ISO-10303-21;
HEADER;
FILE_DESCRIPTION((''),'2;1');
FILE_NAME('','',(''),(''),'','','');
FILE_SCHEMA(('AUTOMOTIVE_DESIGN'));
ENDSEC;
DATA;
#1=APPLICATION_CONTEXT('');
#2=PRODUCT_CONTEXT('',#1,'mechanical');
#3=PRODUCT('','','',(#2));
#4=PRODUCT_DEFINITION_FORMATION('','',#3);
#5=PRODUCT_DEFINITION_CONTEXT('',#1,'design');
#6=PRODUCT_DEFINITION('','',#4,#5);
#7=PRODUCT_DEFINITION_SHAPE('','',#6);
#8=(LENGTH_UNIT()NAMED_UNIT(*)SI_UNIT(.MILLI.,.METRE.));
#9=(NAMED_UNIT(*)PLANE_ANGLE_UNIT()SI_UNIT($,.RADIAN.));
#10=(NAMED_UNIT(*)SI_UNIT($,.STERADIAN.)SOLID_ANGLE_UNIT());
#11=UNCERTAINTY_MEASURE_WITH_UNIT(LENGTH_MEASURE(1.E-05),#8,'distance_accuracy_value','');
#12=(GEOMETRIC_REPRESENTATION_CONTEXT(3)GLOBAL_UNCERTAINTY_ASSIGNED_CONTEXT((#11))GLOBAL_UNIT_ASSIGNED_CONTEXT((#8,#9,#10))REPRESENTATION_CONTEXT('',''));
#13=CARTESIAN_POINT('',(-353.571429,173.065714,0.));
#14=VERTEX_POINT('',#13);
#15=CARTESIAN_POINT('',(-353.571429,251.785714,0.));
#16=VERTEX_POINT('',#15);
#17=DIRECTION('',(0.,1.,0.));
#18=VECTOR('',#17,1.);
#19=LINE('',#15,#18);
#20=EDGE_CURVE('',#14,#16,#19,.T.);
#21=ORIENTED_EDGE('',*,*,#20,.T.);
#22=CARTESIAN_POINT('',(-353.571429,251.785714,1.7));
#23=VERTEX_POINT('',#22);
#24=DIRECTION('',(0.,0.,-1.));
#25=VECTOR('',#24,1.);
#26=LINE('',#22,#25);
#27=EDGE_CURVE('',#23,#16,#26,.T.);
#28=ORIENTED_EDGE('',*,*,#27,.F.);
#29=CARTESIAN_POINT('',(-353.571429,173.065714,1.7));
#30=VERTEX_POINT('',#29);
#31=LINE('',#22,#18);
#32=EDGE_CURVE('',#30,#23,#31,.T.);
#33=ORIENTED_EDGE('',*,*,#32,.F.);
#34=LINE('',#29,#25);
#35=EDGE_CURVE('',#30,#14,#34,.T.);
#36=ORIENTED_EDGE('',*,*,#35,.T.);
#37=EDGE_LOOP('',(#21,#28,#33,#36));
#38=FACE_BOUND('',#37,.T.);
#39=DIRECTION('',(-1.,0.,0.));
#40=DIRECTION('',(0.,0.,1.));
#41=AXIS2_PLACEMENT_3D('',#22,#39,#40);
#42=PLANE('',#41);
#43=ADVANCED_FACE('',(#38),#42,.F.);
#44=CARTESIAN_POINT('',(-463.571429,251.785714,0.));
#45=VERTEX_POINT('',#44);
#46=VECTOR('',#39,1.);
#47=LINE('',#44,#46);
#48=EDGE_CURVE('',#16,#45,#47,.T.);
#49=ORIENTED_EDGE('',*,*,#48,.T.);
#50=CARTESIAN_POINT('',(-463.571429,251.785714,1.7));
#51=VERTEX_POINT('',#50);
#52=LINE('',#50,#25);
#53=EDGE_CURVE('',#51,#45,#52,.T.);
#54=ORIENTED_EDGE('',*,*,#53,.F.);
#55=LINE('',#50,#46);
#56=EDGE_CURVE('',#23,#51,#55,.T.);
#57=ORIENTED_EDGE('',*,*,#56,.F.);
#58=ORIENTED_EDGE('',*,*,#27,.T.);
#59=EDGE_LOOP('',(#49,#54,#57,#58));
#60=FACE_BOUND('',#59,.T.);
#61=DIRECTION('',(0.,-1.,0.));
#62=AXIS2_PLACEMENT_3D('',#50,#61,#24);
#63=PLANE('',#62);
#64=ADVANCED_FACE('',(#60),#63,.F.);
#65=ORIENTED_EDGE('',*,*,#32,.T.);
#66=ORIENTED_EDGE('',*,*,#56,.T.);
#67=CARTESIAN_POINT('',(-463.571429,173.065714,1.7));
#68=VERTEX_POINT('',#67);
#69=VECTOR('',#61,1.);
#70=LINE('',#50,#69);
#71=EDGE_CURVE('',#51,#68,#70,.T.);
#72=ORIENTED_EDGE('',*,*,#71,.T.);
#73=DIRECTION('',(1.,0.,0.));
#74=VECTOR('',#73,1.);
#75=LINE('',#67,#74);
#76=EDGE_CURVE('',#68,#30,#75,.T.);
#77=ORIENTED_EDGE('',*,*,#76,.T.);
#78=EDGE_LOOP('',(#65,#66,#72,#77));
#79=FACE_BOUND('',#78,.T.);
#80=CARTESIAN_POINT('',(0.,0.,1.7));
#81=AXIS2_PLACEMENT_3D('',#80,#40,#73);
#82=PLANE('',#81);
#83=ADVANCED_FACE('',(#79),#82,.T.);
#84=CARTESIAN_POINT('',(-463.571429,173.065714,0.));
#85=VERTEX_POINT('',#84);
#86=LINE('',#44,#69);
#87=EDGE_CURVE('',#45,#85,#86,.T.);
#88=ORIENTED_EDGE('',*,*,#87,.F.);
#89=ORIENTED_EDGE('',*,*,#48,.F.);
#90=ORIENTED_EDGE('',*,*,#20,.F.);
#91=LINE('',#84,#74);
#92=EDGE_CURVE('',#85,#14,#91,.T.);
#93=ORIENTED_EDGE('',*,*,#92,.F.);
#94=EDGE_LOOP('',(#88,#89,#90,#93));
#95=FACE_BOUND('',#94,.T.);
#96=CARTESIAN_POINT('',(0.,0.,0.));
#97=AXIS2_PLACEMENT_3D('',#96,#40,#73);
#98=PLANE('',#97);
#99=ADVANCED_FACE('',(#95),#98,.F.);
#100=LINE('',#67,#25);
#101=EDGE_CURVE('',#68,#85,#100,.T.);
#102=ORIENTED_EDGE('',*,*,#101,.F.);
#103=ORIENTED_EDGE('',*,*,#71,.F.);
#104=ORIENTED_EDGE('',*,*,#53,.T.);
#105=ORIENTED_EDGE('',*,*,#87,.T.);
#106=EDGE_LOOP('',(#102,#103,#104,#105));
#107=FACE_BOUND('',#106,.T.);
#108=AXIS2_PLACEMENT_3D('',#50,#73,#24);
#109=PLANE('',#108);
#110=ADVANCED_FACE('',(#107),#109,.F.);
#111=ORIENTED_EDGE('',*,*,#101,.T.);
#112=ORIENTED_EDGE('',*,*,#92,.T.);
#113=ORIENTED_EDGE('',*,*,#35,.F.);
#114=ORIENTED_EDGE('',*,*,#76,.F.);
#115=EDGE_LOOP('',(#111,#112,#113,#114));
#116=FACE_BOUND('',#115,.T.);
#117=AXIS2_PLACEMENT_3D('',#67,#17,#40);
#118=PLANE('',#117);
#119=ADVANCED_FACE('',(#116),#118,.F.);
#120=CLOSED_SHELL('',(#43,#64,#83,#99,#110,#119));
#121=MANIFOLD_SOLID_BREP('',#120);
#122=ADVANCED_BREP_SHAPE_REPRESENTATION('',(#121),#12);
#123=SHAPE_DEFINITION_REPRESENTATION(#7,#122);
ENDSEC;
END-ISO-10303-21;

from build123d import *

# Parameters (mm, degrees)
ESBO_O1_W                = 110
ESBO_O1_H                = 78.72
RESSALTO_EXTRUS_O1_DEPTH = 1.7


with BuildPart() as part:
    # Esboço1 → Ressalto-extrusão1 (new body)
    with BuildSketch(Plane.XY):
        with Locations((-408.571428571, 212.425714286)):
            Rectangle(ESBO_O1_W, ESBO_O1_H)
    extrude(amount=RESSALTO_EXTRUS_O1_DEPTH)


solid = part.part
